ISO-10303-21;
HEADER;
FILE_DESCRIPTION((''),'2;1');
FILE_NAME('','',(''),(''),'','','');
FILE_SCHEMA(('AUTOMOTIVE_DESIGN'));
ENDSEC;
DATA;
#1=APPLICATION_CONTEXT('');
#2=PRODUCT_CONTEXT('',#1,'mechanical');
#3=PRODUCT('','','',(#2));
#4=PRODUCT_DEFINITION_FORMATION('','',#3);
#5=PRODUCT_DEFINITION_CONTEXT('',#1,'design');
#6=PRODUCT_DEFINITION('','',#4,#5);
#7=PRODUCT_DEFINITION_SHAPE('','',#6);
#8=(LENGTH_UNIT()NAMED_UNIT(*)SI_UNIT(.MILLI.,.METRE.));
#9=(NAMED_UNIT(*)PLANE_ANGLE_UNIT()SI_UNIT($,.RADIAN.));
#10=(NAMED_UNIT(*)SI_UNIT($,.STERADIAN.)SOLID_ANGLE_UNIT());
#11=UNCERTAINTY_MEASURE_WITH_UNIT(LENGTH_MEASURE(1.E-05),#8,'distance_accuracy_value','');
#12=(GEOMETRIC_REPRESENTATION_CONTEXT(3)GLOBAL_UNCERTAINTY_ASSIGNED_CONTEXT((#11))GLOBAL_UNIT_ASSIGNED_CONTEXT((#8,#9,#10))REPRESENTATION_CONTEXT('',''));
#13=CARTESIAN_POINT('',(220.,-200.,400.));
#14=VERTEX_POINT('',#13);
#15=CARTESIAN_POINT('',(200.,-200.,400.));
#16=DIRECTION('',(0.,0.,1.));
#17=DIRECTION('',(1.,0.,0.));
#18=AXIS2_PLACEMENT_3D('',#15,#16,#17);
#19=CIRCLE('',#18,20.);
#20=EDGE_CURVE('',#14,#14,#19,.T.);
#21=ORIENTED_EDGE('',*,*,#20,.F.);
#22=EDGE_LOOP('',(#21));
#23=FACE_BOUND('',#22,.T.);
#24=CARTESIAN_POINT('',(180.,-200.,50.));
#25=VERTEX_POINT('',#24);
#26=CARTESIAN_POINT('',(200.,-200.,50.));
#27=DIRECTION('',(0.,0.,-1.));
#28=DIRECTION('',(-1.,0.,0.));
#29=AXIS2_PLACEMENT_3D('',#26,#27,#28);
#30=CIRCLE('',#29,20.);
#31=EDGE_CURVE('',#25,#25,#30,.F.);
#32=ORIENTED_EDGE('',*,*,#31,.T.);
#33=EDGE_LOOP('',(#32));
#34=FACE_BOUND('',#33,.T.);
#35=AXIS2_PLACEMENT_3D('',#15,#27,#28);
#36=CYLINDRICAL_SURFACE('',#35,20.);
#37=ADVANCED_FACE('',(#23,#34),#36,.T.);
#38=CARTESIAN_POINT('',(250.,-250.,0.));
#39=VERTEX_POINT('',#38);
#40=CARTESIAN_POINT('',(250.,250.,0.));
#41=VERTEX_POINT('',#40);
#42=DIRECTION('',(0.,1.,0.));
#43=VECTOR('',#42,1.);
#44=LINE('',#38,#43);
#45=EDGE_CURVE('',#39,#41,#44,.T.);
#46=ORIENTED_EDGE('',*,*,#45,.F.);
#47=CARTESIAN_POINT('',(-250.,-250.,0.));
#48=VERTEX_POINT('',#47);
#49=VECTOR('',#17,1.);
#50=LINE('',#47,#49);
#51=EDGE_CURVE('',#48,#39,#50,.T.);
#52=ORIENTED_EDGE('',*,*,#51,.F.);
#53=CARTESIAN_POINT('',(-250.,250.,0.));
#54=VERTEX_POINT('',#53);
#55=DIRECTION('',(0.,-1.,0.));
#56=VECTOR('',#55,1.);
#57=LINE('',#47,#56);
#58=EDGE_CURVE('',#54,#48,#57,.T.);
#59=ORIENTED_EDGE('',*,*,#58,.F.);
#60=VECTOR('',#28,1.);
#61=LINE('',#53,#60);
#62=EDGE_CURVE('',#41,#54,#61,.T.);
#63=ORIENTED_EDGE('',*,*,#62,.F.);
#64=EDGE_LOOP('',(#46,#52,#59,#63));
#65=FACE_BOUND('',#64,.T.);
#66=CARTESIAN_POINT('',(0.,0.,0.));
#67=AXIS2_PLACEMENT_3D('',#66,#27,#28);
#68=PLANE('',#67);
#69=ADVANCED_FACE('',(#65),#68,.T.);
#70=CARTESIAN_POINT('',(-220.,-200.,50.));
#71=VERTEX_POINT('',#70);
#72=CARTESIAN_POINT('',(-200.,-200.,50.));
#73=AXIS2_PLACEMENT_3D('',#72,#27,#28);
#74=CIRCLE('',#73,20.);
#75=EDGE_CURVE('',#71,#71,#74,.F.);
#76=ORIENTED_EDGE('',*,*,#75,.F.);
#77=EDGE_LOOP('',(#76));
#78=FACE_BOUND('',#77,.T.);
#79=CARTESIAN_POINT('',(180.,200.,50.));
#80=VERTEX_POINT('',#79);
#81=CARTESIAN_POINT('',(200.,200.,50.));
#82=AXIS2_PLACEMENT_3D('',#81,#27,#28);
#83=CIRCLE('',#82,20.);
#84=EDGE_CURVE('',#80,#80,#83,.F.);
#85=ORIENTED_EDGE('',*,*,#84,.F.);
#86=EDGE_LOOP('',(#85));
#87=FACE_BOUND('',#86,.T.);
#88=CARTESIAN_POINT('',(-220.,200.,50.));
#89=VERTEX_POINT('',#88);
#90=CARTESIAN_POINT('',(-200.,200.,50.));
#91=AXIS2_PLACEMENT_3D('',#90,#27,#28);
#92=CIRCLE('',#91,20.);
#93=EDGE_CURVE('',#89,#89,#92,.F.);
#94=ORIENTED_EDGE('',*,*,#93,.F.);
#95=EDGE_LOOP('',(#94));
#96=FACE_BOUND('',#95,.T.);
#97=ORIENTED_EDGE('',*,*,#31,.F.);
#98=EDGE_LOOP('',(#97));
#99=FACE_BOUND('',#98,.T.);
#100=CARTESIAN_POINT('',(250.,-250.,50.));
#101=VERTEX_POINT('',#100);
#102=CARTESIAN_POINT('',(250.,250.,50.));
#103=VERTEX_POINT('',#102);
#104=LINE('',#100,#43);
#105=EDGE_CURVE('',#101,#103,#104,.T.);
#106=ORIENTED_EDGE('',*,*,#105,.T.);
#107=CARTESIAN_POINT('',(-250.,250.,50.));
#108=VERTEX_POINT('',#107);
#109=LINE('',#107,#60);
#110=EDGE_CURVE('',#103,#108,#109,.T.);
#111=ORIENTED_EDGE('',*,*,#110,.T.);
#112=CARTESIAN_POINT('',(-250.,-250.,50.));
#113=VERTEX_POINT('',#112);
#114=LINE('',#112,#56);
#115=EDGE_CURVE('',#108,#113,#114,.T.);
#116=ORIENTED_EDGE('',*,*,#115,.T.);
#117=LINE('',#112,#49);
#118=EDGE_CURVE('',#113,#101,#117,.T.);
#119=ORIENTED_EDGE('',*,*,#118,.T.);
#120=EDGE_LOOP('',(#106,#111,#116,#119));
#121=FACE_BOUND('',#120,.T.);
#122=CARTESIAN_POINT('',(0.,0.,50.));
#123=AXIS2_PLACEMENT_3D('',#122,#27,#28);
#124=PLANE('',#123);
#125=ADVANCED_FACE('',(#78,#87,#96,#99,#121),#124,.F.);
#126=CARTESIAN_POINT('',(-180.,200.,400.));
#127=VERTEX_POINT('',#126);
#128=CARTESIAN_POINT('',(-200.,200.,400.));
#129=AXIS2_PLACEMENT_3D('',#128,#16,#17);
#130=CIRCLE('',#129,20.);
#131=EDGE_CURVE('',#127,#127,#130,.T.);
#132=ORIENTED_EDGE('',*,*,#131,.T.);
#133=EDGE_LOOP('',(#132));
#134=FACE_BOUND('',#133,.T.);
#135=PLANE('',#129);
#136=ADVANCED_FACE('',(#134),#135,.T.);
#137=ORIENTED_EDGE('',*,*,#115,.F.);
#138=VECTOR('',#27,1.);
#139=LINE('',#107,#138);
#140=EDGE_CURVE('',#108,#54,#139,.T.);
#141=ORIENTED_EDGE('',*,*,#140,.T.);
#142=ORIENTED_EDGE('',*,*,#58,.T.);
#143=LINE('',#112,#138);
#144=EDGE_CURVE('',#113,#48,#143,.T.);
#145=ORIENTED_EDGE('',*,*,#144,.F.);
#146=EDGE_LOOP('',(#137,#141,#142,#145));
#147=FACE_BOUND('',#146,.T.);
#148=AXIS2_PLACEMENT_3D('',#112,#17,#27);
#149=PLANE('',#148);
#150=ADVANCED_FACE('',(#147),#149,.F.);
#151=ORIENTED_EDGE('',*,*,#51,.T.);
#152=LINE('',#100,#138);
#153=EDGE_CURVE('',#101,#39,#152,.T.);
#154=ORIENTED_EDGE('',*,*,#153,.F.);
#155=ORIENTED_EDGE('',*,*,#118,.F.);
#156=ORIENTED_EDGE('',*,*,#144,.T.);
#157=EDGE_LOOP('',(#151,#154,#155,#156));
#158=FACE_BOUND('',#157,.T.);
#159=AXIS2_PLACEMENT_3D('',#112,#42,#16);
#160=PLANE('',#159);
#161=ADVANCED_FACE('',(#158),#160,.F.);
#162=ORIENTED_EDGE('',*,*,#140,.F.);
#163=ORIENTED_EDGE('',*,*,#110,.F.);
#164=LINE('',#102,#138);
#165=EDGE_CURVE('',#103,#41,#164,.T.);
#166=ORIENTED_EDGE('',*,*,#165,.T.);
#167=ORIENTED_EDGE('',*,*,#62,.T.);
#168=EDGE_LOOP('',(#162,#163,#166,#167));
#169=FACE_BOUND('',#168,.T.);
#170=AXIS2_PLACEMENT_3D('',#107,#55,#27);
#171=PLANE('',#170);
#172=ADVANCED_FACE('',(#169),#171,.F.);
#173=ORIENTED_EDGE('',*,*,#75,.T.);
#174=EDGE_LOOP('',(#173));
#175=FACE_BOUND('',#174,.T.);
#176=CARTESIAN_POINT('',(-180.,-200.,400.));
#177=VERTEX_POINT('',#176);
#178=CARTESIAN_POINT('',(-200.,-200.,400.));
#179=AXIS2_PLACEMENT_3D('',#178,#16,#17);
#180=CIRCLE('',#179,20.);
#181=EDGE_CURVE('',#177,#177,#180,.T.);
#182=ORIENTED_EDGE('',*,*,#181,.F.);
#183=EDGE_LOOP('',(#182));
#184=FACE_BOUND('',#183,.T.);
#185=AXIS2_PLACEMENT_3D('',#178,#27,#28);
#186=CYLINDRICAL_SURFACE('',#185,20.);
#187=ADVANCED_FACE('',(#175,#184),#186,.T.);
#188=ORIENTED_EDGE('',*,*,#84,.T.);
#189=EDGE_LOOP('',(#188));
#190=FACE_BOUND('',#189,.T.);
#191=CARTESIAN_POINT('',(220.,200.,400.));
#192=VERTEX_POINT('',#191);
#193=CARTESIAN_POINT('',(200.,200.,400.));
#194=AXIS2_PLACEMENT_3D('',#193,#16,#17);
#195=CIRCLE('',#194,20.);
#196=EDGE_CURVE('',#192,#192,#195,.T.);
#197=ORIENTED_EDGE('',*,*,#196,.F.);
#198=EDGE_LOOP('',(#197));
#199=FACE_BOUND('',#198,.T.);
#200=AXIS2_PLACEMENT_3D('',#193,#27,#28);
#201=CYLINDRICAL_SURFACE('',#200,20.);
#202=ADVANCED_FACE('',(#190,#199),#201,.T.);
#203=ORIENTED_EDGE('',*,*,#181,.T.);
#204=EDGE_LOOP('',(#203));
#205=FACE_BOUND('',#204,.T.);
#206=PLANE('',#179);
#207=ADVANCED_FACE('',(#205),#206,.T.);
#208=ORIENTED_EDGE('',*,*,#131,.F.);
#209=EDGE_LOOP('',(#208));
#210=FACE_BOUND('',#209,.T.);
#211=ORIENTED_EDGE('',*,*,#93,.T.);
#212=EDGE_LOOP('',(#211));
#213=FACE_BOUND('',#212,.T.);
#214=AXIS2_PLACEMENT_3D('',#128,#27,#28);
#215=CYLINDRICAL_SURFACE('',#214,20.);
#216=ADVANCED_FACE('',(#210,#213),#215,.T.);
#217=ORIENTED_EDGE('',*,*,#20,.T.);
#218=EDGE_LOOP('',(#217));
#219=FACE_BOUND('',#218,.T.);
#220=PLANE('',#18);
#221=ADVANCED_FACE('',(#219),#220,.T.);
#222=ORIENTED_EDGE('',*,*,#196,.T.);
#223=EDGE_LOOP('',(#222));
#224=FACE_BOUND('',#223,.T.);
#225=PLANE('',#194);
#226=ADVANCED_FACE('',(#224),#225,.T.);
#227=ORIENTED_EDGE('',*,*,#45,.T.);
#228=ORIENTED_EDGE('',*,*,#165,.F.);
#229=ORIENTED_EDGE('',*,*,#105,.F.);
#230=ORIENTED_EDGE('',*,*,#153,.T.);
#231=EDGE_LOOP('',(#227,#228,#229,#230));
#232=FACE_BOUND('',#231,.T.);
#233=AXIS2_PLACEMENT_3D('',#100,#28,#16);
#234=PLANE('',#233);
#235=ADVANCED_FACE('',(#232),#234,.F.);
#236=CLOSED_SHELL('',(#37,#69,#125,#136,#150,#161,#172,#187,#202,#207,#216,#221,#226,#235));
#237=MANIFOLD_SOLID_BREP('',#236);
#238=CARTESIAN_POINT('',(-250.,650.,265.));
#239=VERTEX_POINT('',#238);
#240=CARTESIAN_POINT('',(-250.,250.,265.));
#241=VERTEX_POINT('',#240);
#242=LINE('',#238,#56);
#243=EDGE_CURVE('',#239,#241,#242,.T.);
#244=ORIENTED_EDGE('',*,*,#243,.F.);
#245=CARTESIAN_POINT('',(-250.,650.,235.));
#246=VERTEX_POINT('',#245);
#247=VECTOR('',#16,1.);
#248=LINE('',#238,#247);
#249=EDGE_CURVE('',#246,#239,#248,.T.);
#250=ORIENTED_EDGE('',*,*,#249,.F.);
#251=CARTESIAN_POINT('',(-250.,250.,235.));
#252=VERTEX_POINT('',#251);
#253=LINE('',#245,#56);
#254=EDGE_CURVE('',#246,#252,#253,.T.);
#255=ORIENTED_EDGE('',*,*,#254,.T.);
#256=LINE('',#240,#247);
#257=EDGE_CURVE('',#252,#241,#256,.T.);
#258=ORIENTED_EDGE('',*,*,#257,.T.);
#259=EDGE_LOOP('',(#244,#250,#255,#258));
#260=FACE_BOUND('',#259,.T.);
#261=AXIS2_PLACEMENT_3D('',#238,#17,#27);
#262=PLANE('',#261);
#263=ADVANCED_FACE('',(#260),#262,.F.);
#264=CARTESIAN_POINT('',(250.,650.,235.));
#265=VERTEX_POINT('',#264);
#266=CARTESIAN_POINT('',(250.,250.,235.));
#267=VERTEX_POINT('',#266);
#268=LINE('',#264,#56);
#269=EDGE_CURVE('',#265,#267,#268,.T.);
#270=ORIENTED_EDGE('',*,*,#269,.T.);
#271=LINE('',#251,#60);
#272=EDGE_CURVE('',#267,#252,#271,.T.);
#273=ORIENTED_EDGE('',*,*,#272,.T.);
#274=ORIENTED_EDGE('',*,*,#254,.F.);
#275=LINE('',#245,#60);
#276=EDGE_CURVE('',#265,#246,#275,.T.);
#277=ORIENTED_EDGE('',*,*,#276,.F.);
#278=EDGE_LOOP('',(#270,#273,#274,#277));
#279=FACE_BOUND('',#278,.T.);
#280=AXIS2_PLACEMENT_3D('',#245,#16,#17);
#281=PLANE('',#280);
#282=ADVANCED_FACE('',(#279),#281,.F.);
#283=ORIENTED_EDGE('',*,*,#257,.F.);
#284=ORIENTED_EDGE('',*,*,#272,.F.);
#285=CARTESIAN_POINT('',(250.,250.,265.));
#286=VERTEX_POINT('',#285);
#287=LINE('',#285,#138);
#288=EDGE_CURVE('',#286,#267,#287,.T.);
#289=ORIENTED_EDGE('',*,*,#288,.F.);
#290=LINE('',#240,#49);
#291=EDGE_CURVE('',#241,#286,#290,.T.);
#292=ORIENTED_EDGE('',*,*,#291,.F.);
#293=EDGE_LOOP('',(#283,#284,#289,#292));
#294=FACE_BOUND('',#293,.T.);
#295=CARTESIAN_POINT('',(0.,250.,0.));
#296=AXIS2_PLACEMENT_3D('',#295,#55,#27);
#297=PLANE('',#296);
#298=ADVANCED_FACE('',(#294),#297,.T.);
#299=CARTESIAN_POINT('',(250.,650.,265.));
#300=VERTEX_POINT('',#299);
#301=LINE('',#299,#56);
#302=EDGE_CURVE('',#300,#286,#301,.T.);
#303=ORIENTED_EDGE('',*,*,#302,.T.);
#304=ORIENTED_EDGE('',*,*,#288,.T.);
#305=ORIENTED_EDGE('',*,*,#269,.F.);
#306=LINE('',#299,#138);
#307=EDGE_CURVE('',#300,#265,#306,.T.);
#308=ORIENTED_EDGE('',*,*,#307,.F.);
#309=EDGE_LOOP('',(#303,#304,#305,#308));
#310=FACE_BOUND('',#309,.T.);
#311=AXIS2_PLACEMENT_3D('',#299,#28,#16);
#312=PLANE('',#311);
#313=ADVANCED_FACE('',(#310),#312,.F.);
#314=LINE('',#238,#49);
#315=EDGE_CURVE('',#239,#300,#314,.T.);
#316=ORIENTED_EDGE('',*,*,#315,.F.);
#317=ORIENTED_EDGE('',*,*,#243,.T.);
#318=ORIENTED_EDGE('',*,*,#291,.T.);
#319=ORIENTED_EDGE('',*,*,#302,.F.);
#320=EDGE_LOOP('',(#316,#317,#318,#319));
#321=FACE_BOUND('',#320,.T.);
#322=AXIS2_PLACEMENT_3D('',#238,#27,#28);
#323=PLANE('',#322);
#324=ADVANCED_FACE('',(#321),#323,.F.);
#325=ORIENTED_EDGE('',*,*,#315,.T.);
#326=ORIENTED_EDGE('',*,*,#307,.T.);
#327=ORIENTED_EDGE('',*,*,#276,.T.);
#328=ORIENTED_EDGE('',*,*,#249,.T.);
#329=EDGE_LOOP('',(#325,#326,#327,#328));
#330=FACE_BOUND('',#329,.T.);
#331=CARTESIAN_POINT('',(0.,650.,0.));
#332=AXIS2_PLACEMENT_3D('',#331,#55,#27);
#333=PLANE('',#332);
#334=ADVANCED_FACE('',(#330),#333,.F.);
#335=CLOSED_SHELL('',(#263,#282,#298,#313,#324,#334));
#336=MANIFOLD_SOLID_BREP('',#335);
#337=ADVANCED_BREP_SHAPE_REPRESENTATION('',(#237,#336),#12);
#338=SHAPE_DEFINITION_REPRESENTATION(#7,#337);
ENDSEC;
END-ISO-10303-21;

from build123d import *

# Parameters (mm, degrees)
SKETCH_1_W      = 500
SKETCH_1_H      = 500
EXTRUDE_1_DEPTH = 50
SKETCH_2_R      = 20
EXTRUDE_2_DEPTH = 400
SKETCH_3_R      = 20
EXTRUDE_3_DEPTH = 400
SKETCH_4_R      = 20
EXTRUDE_4_DEPTH = 400
SKETCH_5_R      = 20
EXTRUDE_5_DEPTH = 400
SKETCH_6_W      = 500
SKETCH_6_H      = 30
EXTRUDE_6_DEPTH = 400


with BuildPart() as part:
    # 草图1 → 凸台-拉伸1 (new body)
    with BuildSketch(Plane.XY):
        Rectangle(SKETCH_1_W, SKETCH_1_H)
    extrude(amount=EXTRUDE_1_DEPTH)

    # 草图2 → 凸台-拉伸2 (add)
    with BuildSketch(Plane.XY):
        with Locations(Location((-200, -200, 0), (0, 0, 180))):
            Circle(SKETCH_2_R)
    extrude(amount=EXTRUDE_2_DEPTH)

    # 草图3 → 凸台-拉伸3 (add)
    with BuildSketch(Plane.XY):
        with Locations(Location((200, -200, 0), (0, 0, 180))):
            Circle(SKETCH_3_R)
    extrude(amount=EXTRUDE_3_DEPTH)

    # 草图4 → 凸台-拉伸4 (add)
    with BuildSketch(Plane.XY):
        with Locations(Location((-200, 200, 0), (0, 0, 180))):
            Circle(SKETCH_4_R)
    extrude(amount=EXTRUDE_4_DEPTH)

    # 草图5 → 凸台-拉伸5 (add)
    with BuildSketch(Plane.XY):
        with Locations(Location((200, 200, 0), (0, 0, 180))):
            Circle(SKETCH_5_R)
    extrude(amount=EXTRUDE_5_DEPTH)


with BuildPart() as body_2:
    # 草图6 → 凸台-拉伸6 (new body)
    with BuildSketch(Plane(origin=(0, 250, 0), x_dir=(1, 0, 0), z_dir=(0, 1, 0))):
        with Locations((0, -250)):
            Rectangle(SKETCH_6_W, SKETCH_6_H)
    extrude(amount=EXTRUDE_6_DEPTH)


solid = Compound([part.part, body_2.part])
